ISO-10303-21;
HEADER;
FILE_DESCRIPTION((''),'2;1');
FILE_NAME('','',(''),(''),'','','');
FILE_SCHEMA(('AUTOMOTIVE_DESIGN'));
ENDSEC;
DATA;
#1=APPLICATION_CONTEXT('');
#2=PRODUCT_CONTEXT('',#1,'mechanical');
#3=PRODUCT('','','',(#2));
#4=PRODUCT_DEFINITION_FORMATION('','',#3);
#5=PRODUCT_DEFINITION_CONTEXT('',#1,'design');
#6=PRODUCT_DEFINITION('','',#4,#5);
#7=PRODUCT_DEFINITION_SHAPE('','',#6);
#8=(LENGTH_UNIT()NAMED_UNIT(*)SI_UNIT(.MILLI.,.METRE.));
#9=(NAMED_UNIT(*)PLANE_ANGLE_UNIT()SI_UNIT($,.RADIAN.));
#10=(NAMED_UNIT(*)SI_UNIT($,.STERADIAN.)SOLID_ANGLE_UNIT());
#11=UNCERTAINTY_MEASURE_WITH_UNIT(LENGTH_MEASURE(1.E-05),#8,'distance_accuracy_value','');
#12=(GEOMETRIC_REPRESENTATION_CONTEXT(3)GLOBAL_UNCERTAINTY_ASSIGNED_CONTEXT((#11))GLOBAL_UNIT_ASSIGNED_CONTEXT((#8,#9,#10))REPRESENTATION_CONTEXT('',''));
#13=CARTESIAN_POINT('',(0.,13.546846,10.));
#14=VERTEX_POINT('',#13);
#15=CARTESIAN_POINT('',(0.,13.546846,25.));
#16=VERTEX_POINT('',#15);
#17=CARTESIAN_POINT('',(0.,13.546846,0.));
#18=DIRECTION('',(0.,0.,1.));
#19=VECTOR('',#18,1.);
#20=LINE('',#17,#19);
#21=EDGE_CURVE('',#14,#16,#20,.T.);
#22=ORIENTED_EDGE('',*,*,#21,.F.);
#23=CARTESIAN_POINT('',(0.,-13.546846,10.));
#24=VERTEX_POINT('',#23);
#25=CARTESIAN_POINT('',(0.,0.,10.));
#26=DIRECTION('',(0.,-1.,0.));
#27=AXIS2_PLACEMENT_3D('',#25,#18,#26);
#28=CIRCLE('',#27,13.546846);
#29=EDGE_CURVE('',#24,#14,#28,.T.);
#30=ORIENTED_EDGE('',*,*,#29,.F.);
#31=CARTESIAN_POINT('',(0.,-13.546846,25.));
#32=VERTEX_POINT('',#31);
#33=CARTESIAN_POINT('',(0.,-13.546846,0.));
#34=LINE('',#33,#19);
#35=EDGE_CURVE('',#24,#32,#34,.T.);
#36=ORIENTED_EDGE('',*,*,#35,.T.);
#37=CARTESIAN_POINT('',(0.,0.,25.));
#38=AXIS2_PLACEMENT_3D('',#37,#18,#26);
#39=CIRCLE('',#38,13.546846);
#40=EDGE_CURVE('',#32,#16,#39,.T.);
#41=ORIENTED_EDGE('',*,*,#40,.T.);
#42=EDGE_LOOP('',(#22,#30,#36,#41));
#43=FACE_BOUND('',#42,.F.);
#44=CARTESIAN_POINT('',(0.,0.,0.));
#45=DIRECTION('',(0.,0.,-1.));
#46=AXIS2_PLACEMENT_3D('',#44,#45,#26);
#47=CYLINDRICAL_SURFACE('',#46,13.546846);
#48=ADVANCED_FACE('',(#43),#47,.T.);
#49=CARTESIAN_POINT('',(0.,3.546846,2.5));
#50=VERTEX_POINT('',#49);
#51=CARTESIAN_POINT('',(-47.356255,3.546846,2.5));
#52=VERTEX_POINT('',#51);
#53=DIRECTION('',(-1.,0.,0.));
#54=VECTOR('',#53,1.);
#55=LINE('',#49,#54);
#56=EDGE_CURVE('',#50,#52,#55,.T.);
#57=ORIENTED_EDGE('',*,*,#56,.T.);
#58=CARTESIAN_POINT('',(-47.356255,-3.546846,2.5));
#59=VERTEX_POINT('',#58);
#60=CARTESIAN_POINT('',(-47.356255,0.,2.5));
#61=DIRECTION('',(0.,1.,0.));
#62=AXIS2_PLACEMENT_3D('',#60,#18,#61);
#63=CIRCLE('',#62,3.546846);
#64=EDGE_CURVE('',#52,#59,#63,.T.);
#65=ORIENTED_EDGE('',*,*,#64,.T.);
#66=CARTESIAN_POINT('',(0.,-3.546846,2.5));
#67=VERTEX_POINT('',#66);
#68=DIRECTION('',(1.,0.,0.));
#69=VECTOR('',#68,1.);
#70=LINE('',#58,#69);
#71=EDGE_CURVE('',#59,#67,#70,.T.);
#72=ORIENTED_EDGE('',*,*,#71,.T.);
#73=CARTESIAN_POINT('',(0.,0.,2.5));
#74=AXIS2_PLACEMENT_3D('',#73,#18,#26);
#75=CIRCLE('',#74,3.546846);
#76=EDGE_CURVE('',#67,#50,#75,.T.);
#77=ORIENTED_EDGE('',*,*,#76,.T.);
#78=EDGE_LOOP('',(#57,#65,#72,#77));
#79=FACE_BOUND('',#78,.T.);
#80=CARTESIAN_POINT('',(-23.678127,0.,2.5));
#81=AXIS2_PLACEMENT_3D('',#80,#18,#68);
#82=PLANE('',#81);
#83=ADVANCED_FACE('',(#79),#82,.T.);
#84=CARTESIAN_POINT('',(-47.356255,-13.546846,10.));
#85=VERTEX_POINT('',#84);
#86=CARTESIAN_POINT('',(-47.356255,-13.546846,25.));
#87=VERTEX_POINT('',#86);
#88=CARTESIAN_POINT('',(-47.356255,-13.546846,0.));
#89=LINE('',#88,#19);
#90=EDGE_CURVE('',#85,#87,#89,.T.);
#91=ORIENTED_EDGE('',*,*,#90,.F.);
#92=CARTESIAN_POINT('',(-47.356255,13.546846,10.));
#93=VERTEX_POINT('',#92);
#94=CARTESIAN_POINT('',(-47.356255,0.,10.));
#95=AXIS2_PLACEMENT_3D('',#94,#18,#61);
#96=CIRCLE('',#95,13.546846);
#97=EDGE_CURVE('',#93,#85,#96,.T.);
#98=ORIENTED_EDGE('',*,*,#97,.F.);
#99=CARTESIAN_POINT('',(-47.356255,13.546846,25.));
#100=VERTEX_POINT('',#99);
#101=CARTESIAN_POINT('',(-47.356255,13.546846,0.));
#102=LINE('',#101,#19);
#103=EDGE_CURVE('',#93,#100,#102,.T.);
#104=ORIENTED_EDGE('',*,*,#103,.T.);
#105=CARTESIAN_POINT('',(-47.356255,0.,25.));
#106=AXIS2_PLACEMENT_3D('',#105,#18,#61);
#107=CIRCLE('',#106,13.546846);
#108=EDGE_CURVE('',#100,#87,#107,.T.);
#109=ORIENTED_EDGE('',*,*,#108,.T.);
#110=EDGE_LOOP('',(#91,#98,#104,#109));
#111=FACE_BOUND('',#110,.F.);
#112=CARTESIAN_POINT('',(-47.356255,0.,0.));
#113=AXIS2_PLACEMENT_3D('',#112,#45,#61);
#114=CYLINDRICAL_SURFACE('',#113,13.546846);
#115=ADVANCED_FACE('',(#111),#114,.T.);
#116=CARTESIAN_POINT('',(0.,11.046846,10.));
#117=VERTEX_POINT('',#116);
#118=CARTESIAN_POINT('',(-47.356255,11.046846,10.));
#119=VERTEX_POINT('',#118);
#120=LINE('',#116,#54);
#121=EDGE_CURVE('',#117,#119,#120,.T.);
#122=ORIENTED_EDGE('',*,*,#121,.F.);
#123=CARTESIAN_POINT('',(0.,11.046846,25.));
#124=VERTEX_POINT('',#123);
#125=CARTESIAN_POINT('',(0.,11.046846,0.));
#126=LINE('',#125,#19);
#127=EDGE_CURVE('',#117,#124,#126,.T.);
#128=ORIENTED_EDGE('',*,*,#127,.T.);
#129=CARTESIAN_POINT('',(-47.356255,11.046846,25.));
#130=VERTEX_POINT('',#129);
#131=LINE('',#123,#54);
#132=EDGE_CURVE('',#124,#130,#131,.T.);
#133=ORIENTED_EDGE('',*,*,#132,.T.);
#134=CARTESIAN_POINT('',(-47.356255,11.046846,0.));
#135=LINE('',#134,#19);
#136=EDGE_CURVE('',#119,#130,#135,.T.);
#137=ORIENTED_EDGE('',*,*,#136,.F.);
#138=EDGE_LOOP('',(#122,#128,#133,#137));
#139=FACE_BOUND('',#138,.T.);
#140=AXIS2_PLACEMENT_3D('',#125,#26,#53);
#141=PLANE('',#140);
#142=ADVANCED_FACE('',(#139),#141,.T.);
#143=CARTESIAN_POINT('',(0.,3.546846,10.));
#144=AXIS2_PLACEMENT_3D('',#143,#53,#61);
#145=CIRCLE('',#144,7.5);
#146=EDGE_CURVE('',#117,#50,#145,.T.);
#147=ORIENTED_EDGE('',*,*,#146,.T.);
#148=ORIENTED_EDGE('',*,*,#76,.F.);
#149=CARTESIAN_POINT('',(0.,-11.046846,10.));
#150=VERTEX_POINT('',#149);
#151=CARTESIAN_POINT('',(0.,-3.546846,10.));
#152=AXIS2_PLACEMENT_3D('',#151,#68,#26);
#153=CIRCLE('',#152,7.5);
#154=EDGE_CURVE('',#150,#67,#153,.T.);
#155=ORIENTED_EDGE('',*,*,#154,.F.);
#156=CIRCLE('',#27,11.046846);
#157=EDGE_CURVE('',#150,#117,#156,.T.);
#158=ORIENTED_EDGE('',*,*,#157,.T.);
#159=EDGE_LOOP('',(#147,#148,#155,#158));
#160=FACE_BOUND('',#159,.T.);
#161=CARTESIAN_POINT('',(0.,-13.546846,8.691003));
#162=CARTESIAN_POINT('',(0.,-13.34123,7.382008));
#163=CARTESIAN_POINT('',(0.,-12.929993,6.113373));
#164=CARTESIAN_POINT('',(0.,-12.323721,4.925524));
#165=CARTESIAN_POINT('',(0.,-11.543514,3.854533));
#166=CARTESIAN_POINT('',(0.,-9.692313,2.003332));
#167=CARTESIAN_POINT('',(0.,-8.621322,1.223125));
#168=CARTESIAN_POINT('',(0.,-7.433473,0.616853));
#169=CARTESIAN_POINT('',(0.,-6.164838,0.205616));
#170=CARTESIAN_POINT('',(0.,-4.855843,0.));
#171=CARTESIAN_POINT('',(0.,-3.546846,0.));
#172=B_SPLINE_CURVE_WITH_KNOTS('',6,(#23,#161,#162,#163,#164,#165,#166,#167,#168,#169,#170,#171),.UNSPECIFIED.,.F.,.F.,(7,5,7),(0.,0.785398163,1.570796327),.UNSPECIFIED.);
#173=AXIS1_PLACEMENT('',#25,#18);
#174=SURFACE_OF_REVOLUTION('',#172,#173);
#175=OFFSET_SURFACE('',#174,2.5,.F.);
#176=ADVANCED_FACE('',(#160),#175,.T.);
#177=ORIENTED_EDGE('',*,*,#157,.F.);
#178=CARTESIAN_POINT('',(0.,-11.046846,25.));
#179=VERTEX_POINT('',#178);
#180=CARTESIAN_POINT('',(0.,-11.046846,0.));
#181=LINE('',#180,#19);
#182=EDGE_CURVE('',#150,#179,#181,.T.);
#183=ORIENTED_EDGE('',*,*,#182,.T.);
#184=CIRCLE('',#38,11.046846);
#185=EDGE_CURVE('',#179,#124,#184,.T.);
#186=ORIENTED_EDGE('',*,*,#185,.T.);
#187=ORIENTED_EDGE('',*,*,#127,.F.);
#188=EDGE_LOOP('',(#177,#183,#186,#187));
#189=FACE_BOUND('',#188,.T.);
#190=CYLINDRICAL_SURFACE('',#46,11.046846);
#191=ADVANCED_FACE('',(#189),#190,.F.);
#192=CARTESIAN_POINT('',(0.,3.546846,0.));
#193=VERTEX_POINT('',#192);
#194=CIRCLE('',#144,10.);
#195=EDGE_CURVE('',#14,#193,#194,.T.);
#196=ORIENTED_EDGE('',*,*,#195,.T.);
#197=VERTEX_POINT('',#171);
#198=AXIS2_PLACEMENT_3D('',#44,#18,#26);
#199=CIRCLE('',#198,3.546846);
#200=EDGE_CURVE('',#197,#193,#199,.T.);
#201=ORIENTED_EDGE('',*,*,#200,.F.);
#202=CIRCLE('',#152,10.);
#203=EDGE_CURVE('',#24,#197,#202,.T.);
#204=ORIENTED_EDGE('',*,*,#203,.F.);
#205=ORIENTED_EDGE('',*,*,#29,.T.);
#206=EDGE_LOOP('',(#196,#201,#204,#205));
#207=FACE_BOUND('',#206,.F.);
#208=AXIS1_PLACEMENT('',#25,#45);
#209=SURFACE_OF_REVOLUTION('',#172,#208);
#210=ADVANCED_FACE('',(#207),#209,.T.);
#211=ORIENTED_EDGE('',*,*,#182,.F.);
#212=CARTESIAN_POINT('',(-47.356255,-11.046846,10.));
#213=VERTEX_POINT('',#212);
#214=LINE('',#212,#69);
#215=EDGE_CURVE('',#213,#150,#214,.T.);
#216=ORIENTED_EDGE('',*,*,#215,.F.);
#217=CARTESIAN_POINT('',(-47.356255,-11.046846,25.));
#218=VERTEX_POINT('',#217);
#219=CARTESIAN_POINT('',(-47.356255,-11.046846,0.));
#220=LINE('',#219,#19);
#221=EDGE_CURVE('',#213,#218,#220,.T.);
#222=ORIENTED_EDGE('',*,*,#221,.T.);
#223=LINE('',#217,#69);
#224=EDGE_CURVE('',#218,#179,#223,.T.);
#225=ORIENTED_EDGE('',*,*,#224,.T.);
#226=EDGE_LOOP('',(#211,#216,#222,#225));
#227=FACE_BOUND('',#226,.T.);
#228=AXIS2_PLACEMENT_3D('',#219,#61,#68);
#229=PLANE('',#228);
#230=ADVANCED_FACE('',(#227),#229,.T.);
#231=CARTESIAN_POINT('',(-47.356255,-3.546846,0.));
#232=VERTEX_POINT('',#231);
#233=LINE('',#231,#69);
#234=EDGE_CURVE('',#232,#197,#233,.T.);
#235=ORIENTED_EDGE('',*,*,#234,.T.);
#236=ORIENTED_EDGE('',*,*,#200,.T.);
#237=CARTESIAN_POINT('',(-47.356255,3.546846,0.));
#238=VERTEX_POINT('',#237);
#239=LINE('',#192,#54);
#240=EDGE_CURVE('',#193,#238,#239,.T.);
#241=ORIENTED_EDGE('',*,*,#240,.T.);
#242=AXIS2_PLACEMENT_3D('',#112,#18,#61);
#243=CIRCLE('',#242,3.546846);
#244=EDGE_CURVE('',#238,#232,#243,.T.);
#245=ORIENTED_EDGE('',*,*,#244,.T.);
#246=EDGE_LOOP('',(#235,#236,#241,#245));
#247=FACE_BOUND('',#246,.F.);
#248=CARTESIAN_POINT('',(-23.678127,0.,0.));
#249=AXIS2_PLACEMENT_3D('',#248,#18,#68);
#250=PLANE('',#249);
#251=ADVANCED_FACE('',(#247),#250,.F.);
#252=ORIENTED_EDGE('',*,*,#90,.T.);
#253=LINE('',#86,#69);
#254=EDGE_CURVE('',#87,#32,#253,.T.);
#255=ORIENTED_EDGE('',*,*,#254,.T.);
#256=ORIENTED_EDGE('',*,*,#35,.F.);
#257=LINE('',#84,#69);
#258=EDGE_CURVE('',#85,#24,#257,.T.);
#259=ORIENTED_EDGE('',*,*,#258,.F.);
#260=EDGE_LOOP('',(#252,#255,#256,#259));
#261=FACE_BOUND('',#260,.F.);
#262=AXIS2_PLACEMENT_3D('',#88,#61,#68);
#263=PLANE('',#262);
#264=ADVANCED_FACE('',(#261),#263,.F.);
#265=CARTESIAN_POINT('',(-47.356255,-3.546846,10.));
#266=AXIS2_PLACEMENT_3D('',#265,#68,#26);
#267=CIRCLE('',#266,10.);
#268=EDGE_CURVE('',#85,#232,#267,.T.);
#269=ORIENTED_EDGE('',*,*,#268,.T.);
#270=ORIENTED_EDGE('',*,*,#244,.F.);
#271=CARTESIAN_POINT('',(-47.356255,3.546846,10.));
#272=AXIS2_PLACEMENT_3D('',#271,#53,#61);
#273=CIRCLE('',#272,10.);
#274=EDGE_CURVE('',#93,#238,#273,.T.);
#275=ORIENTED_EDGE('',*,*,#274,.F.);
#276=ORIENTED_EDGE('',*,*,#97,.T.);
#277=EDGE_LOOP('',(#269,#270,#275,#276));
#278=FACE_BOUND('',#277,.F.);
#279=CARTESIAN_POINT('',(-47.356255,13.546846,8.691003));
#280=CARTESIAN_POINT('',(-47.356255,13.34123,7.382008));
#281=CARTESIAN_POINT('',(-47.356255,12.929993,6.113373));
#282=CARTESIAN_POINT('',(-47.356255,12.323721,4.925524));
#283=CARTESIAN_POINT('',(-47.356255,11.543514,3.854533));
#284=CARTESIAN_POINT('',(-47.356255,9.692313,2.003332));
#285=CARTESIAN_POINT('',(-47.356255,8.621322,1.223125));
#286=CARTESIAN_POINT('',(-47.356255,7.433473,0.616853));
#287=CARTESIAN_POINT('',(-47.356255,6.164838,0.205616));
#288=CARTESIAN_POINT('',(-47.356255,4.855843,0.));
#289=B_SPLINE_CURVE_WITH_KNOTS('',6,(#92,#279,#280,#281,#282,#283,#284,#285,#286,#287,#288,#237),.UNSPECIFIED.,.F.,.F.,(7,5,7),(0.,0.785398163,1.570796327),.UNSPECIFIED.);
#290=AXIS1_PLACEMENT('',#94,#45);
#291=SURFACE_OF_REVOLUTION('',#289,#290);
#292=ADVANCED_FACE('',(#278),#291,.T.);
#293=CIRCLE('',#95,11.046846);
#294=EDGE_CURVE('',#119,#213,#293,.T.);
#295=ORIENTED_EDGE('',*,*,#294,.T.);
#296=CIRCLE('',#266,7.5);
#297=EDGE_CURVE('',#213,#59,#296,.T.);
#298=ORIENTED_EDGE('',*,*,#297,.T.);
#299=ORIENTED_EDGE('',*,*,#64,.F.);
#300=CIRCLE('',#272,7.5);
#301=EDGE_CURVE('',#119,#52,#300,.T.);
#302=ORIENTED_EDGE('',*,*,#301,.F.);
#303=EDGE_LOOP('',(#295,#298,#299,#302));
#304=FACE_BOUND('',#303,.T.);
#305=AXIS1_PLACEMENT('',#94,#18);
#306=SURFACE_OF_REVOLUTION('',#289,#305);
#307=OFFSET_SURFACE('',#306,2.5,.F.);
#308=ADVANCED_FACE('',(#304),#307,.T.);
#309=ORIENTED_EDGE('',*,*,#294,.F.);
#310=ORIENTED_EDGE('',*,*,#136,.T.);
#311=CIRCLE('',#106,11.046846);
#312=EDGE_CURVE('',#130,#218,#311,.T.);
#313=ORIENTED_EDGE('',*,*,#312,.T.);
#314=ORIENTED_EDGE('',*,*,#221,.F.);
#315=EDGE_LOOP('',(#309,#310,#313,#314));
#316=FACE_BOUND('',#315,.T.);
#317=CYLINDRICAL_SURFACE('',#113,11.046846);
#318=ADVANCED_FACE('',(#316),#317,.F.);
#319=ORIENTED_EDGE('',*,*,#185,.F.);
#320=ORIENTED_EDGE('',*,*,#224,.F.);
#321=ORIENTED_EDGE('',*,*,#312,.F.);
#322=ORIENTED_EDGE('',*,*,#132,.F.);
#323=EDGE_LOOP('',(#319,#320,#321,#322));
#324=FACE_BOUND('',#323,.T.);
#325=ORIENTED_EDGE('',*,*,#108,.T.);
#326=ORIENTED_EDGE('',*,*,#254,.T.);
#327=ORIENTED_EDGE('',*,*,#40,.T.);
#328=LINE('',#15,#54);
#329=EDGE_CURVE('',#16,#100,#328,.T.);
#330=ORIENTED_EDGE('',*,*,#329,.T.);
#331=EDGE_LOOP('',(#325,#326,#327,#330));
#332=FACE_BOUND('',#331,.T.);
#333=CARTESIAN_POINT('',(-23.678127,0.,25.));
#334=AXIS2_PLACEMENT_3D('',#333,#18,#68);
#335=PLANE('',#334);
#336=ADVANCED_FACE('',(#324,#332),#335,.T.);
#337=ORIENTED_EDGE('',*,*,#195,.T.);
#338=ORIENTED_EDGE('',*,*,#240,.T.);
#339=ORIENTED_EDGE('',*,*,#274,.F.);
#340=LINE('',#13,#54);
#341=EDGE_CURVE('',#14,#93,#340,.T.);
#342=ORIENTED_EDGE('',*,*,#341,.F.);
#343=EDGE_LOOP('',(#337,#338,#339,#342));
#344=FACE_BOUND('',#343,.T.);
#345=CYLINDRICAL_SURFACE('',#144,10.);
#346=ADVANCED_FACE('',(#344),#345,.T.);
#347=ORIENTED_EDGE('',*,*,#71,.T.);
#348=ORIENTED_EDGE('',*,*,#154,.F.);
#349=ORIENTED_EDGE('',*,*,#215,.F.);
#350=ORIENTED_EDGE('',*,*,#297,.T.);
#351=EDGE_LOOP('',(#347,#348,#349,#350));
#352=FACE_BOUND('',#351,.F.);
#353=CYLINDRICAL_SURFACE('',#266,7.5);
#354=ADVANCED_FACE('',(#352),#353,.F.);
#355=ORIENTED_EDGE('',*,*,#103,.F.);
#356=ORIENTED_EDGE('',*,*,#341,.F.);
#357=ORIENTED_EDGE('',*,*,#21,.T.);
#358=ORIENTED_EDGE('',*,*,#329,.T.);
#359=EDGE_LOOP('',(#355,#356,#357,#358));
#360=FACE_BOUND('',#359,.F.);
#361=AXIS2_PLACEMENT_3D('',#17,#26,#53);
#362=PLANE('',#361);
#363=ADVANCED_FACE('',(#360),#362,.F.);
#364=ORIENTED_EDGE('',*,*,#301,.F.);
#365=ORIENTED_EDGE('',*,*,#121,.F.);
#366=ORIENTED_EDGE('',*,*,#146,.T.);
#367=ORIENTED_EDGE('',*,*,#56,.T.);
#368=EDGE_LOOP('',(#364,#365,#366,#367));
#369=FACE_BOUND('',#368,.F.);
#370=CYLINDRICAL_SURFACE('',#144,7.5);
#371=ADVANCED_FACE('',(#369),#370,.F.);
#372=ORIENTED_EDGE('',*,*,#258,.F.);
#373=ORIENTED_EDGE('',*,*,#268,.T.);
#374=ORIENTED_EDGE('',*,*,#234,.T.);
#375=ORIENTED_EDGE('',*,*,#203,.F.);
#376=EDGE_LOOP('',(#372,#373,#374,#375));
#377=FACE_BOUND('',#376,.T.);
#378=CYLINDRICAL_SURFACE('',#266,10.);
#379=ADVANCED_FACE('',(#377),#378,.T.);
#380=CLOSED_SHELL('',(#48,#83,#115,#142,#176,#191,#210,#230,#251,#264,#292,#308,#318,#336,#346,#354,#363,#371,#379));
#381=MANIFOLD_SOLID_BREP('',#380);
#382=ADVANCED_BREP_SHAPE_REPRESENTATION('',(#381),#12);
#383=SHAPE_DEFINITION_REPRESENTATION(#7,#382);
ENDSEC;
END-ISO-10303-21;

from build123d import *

# Parameters (mm, degrees)
F1_DEPTH = 25
F2_DEPTH = 25
F3_R     = 10
F4_T     = -2.5


with BuildPart() as f1:
    # F0 (on Top) → F1 (new body)
    with BuildSketch(Plane.XY):
        with BuildLine():
            Line((-47.356255, -13.546846), (0, -13.546846))
            ThreePointArc((0, -13.546846), (13.546846, 0), (0, 13.546846))
            Line((0, 13.546846), (-47.356255, 13.546846))
            ThreePointArc((-47.356255, 13.546846), (-60.903101, 0), (-47.356255, -13.546846))
        make_face()
    extrude(amount=F1_DEPTH)

    # F0 (on Top) → F2 (join)
    with BuildSketch(Plane.XY):
        with BuildLine():
            Line((-47.356255, -13.546846), (0, -13.546846))
            ThreePointArc((0, -13.546846), (13.546846, 0), (0, 13.546846))
            Line((0, 13.546846), (-47.356255, 13.546846))
            ThreePointArc((-47.356255, 13.546846), (-60.903101, 0), (-47.356255, -13.546846))
        make_face()
    extrude(amount=F2_DEPTH)

    # F3
    f3_edges = [f1.edges().sort_by_distance(p)[0] for p in [
        (-60.903101, 0, 0),
    ]]
    fillet(f3_edges, radius=F3_R)

    # F4
    f4_openings = [f1.faces().sort_by_distance(p)[0] for p in [
        (-23.678128, 0, 25),
    ]]
    offset(amount=F4_T, openings=f4_openings)


solid = f1.part
